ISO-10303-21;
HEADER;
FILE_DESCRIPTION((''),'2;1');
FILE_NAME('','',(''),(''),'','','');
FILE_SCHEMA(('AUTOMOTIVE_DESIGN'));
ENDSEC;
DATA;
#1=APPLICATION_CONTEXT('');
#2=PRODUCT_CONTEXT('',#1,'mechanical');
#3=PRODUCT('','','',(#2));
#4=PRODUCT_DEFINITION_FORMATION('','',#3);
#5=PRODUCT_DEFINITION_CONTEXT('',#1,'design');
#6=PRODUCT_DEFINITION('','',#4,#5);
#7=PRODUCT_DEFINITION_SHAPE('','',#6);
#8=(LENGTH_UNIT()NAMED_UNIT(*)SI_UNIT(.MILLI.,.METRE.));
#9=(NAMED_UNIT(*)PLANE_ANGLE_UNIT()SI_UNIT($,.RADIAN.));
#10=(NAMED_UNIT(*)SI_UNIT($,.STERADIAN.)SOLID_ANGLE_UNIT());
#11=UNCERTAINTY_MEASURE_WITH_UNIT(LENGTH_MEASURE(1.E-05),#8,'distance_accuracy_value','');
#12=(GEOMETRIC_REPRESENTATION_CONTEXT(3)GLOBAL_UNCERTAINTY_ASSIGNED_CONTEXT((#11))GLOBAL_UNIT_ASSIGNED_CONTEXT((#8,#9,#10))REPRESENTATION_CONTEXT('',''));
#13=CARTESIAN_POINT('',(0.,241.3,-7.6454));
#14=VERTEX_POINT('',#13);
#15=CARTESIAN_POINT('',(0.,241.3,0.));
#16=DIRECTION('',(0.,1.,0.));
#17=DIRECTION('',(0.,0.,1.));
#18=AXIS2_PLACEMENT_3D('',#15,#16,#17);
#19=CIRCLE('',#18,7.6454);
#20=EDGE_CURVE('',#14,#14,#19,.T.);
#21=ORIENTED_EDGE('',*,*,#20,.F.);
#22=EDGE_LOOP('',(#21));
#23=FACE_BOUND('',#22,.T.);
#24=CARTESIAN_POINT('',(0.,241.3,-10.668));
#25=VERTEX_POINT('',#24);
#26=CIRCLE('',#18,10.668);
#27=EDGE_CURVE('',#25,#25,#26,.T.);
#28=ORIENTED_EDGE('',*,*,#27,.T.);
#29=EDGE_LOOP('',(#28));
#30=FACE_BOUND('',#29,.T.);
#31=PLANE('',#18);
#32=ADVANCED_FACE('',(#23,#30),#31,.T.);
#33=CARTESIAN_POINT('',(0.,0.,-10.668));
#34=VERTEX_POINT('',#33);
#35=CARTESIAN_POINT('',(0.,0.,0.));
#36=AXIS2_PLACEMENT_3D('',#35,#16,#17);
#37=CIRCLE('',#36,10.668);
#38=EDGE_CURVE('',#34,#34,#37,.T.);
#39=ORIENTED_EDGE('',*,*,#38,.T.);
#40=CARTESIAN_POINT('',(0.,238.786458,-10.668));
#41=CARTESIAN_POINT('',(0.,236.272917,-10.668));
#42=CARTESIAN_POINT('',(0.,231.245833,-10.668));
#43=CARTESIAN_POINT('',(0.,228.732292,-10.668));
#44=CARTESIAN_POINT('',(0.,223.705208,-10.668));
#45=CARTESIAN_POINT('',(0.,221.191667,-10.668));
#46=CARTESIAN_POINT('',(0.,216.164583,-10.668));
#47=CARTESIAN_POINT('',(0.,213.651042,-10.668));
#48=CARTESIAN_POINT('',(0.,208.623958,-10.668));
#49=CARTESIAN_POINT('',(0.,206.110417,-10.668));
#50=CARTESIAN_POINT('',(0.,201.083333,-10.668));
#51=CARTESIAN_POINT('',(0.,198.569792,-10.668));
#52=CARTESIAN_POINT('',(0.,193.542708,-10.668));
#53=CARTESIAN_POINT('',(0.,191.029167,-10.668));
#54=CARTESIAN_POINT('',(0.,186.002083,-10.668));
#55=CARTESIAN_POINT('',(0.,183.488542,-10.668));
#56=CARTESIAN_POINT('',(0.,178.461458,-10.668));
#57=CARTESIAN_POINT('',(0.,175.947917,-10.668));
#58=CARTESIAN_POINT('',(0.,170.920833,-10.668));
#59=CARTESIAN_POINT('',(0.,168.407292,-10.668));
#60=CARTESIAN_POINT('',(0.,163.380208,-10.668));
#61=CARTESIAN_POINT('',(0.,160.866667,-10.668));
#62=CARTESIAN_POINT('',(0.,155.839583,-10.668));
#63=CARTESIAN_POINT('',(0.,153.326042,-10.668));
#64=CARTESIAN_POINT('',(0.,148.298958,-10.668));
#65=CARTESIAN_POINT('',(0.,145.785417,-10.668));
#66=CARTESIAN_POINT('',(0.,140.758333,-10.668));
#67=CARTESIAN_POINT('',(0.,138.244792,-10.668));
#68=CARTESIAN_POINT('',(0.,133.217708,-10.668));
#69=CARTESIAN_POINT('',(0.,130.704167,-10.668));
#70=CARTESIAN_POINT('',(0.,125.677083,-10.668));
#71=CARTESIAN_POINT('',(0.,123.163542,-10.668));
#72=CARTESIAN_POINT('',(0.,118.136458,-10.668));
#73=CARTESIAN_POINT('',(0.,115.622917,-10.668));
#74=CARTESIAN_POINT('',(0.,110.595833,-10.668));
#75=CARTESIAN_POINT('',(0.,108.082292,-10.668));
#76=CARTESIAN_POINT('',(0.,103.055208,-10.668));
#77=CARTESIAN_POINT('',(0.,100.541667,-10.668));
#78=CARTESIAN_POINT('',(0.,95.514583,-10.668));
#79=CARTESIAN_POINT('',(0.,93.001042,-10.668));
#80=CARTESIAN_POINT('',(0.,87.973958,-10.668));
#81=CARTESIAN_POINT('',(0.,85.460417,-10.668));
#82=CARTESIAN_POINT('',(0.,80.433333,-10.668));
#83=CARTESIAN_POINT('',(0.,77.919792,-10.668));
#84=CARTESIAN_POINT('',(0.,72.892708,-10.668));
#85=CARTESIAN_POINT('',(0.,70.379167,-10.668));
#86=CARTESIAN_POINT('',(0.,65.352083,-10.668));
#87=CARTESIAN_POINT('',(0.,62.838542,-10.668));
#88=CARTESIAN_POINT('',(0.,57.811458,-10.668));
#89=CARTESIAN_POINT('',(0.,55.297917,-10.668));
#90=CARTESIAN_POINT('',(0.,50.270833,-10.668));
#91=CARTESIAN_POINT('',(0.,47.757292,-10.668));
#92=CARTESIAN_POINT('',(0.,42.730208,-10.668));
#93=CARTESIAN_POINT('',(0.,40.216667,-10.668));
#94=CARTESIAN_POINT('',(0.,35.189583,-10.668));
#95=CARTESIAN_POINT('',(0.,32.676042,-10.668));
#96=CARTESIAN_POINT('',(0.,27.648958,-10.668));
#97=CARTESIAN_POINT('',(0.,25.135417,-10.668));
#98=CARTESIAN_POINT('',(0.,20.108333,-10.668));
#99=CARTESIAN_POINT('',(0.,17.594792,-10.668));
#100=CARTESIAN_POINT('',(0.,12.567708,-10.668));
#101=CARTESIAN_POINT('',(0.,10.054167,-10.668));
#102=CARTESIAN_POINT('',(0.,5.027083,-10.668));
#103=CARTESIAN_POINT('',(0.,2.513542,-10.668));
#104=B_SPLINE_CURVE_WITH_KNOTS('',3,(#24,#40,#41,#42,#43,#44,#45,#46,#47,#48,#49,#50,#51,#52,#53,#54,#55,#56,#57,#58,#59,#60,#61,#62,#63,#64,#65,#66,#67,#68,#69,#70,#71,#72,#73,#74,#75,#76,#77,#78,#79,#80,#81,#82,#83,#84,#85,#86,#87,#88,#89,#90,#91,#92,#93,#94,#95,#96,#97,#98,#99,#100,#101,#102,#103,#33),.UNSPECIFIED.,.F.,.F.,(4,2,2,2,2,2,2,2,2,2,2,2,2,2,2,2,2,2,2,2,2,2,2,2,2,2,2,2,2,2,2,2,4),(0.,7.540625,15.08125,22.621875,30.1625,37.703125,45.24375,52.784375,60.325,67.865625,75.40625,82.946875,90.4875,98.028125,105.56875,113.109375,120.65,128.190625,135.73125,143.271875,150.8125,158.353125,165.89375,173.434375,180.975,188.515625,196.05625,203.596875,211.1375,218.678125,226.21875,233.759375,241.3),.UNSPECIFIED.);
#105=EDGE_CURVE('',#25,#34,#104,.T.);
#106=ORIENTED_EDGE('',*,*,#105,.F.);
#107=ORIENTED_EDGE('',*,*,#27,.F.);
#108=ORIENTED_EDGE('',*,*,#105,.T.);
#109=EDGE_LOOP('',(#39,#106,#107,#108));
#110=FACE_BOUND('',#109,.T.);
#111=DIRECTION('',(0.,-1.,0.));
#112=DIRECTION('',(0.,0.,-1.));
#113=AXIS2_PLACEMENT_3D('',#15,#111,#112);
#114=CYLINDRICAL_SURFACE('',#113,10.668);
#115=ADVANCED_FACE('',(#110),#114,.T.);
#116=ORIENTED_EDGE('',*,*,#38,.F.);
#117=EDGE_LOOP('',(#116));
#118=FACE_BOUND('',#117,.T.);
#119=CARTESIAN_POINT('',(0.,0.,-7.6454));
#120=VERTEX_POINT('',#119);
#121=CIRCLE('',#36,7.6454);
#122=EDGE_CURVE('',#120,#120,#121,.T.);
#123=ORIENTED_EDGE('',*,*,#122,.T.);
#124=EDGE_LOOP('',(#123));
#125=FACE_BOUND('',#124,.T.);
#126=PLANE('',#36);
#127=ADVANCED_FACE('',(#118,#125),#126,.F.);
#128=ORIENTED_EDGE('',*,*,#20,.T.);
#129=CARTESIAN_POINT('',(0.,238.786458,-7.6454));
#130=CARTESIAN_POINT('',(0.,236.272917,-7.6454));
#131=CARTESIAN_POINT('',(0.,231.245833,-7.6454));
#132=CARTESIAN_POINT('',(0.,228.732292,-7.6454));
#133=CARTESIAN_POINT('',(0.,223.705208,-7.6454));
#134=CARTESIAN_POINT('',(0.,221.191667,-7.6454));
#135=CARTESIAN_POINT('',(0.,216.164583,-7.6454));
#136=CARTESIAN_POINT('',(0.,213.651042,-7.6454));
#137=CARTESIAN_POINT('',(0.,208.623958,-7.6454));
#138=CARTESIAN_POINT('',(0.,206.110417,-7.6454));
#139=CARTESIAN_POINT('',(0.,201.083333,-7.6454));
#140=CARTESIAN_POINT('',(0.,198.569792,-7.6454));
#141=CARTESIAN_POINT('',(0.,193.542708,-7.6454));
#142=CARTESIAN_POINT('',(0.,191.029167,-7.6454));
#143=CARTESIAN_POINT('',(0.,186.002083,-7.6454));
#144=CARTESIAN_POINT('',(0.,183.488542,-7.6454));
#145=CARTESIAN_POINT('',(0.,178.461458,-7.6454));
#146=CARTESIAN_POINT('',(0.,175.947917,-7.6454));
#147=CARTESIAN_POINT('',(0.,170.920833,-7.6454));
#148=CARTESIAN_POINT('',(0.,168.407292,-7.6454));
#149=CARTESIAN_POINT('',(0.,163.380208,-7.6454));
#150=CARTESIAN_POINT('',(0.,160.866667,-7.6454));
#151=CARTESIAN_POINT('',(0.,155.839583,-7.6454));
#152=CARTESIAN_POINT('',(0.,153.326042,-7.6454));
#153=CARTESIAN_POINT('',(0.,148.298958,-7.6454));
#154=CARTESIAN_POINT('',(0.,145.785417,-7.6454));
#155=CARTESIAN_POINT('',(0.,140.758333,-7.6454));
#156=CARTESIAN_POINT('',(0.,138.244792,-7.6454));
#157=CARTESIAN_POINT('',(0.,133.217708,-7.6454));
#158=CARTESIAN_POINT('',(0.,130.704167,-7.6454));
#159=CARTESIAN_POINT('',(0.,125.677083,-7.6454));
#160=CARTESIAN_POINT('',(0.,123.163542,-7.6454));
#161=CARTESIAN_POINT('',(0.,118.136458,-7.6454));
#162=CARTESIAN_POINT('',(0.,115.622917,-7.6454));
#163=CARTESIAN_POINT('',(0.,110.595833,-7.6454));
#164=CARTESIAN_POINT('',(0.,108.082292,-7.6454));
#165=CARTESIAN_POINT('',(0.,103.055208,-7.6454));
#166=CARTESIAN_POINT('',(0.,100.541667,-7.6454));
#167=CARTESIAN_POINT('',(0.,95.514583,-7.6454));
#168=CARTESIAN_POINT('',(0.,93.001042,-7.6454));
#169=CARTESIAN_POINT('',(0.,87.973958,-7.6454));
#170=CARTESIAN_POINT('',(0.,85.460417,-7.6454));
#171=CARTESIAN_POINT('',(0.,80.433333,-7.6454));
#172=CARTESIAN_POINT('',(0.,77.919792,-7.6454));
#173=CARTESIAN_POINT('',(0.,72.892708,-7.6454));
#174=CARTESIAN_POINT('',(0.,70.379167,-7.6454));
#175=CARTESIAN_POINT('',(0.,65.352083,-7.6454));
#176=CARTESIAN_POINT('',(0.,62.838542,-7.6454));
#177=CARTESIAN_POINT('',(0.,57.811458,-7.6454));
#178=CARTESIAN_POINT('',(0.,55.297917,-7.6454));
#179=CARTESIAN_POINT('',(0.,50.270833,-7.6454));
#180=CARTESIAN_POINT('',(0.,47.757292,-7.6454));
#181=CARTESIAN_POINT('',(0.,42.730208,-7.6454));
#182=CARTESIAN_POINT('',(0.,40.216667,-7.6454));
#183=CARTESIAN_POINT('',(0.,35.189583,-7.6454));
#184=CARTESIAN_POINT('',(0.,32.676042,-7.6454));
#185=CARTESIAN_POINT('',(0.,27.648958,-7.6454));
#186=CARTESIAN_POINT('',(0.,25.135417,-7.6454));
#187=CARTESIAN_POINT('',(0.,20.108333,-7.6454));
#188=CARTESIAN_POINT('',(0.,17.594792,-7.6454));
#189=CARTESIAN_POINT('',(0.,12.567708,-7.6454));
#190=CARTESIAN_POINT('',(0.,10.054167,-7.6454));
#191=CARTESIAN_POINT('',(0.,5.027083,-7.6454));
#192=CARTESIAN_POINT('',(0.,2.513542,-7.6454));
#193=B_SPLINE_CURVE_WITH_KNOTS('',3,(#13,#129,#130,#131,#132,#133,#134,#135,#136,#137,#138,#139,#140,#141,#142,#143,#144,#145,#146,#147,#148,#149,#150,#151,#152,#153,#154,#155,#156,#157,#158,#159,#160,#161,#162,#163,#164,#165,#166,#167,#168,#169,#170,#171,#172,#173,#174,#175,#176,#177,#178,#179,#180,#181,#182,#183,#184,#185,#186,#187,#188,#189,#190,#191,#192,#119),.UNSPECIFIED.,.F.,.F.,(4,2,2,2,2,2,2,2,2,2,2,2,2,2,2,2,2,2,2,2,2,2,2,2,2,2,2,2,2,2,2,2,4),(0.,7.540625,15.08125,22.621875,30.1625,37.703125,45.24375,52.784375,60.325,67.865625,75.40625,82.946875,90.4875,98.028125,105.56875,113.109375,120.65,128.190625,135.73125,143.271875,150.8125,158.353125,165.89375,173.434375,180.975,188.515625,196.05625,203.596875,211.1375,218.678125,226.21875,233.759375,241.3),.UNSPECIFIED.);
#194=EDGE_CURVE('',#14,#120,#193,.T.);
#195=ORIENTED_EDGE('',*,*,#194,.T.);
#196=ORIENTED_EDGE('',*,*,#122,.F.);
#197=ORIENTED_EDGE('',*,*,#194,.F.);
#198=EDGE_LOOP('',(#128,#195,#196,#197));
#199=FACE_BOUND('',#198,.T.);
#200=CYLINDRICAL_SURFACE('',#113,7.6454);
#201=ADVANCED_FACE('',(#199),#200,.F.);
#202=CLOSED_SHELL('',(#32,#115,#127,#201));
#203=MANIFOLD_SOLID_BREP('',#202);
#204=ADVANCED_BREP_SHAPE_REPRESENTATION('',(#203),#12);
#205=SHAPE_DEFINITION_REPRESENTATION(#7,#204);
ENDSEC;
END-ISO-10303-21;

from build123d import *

# Parameters (mm, degrees)
SKETCH1_R           = 10.668
SKETCH1_R_2         = 7.6454
BOSS_EXTRUDE1_DEPTH = 241.3


with BuildPart() as part:
    # Sketch1 → Boss-Extrude1 (new body)
    with BuildSketch(Plane(origin=(0, 0, 0), x_dir=(1, 0, 0), z_dir=(0, 1, 0))):
        with Locations(Location((0, 0, 0), (0, 0, 90))):
            Circle(SKETCH1_R)
        with Locations(Location((0, 0, 0), (0, 0, 90))):
            Circle(SKETCH1_R_2, mode=Mode.SUBTRACT)
    extrude(amount=BOSS_EXTRUDE1_DEPTH)


solid = part.part
